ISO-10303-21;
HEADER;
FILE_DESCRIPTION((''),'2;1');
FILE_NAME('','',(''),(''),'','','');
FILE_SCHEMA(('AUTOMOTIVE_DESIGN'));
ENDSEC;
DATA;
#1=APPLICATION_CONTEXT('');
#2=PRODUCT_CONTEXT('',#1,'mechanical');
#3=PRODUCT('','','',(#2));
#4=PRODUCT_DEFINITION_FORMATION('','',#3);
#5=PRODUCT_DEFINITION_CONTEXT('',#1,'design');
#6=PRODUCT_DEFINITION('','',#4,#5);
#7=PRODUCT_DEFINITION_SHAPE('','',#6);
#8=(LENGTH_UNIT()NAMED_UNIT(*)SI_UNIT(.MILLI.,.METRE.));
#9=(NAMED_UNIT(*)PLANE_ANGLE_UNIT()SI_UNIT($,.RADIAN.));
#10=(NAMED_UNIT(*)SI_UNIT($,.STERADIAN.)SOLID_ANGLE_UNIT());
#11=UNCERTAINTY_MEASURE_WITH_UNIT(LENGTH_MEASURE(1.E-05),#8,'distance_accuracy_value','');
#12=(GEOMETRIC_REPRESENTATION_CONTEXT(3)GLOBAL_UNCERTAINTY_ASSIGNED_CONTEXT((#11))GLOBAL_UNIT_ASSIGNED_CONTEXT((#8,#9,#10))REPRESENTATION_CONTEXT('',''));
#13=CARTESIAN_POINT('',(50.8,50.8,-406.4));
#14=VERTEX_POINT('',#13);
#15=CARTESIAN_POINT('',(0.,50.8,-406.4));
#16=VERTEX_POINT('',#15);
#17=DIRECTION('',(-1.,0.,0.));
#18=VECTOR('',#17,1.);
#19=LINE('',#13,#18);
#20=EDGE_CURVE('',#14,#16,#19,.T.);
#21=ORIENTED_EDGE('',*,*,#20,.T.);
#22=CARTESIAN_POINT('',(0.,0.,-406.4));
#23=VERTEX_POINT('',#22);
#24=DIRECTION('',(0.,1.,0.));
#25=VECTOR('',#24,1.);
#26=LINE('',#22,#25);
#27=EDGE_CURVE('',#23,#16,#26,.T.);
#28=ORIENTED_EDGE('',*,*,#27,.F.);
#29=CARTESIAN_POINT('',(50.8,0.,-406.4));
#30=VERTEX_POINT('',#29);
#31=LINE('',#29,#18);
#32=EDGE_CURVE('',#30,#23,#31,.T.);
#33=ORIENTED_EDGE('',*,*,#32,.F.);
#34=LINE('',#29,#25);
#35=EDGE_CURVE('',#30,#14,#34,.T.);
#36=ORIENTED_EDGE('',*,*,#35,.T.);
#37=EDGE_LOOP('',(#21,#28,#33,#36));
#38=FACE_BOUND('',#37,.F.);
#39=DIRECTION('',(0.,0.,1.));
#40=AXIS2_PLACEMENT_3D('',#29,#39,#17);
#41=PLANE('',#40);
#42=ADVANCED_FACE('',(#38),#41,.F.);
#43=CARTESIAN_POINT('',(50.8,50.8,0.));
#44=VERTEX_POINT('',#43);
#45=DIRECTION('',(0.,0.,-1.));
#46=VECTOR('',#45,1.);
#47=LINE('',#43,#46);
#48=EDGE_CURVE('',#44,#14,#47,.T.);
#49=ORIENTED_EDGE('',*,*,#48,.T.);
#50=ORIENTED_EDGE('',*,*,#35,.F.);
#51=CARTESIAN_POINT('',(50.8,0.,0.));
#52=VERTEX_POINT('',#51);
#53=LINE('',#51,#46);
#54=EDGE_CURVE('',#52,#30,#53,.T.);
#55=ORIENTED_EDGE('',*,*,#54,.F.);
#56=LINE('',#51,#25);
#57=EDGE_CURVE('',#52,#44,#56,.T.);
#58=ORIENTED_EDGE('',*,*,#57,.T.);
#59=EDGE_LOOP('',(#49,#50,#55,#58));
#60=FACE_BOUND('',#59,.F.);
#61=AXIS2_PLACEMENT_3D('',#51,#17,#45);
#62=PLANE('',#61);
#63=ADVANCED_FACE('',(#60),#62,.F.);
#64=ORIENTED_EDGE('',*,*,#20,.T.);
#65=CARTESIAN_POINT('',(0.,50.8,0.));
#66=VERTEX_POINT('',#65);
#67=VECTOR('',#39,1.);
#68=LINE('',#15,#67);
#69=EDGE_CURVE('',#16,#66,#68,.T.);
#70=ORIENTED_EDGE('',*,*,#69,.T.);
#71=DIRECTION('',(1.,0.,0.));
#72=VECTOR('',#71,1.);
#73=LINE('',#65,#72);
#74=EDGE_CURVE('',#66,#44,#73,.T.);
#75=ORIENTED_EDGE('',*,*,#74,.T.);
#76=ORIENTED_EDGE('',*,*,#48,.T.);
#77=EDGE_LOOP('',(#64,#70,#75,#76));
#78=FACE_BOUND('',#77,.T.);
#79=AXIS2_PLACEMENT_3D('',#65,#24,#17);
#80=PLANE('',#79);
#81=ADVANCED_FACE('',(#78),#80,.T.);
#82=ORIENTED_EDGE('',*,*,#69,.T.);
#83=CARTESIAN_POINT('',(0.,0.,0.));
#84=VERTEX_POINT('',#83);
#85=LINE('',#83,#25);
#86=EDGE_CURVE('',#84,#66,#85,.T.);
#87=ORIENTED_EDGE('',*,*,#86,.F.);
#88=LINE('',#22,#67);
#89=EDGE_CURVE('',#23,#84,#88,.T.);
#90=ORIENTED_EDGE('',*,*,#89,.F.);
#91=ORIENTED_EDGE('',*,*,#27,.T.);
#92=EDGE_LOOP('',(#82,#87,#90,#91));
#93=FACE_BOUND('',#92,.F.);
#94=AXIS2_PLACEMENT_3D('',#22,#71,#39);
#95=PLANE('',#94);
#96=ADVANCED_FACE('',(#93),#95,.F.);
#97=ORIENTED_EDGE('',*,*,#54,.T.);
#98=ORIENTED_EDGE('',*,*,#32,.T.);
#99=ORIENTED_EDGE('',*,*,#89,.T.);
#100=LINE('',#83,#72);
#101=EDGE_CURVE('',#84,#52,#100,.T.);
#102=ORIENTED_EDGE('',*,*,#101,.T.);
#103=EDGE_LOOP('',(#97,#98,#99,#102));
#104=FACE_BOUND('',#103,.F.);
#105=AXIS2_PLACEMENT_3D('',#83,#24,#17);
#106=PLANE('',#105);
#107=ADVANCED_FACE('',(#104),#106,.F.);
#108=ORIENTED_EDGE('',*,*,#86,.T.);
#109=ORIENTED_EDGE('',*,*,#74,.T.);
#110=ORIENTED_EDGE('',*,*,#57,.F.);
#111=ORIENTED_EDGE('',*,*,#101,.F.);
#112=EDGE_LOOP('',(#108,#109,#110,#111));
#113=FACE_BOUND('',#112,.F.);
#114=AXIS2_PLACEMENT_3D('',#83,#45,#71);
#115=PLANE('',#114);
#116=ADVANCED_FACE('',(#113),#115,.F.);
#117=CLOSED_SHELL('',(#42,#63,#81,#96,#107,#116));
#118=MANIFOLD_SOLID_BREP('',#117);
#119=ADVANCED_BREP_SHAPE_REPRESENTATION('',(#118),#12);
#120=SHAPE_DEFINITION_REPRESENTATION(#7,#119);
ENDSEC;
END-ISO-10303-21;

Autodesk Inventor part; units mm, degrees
ref_plane "YZ Plane" through (0, 0, 0) normal (1, 0, 0) x (0, 1, 0)
ref_plane "XZ Plane" through (0, 0, 0) normal (0, 1, 0) x (-1, 0, 0)
ref_plane "XY Plane" through (0, 0, 0) normal (0, 0, 1) x (1, 0, 0)
sketch "Sketch1" plane through (0, 0, 0) normal (0, 1, 0) x (-1, 0, 0)
  line L0 (0, 0) -> (-50.8, 0)
  line L1 (-50.8, 0) -> (-50.8, -406.4)
  line L2 (-50.8, -406.4) -> (0, -406.4)
  line L3 (0, -406.4) -> (0, 0)
  dimension "d0" = 50.8
  dimension "d1" = 406.4
extrude "Extrusion1" add sketch "Sketch1" along normal blind 50.8
properties part number "rev1 base large wall plank middle"
